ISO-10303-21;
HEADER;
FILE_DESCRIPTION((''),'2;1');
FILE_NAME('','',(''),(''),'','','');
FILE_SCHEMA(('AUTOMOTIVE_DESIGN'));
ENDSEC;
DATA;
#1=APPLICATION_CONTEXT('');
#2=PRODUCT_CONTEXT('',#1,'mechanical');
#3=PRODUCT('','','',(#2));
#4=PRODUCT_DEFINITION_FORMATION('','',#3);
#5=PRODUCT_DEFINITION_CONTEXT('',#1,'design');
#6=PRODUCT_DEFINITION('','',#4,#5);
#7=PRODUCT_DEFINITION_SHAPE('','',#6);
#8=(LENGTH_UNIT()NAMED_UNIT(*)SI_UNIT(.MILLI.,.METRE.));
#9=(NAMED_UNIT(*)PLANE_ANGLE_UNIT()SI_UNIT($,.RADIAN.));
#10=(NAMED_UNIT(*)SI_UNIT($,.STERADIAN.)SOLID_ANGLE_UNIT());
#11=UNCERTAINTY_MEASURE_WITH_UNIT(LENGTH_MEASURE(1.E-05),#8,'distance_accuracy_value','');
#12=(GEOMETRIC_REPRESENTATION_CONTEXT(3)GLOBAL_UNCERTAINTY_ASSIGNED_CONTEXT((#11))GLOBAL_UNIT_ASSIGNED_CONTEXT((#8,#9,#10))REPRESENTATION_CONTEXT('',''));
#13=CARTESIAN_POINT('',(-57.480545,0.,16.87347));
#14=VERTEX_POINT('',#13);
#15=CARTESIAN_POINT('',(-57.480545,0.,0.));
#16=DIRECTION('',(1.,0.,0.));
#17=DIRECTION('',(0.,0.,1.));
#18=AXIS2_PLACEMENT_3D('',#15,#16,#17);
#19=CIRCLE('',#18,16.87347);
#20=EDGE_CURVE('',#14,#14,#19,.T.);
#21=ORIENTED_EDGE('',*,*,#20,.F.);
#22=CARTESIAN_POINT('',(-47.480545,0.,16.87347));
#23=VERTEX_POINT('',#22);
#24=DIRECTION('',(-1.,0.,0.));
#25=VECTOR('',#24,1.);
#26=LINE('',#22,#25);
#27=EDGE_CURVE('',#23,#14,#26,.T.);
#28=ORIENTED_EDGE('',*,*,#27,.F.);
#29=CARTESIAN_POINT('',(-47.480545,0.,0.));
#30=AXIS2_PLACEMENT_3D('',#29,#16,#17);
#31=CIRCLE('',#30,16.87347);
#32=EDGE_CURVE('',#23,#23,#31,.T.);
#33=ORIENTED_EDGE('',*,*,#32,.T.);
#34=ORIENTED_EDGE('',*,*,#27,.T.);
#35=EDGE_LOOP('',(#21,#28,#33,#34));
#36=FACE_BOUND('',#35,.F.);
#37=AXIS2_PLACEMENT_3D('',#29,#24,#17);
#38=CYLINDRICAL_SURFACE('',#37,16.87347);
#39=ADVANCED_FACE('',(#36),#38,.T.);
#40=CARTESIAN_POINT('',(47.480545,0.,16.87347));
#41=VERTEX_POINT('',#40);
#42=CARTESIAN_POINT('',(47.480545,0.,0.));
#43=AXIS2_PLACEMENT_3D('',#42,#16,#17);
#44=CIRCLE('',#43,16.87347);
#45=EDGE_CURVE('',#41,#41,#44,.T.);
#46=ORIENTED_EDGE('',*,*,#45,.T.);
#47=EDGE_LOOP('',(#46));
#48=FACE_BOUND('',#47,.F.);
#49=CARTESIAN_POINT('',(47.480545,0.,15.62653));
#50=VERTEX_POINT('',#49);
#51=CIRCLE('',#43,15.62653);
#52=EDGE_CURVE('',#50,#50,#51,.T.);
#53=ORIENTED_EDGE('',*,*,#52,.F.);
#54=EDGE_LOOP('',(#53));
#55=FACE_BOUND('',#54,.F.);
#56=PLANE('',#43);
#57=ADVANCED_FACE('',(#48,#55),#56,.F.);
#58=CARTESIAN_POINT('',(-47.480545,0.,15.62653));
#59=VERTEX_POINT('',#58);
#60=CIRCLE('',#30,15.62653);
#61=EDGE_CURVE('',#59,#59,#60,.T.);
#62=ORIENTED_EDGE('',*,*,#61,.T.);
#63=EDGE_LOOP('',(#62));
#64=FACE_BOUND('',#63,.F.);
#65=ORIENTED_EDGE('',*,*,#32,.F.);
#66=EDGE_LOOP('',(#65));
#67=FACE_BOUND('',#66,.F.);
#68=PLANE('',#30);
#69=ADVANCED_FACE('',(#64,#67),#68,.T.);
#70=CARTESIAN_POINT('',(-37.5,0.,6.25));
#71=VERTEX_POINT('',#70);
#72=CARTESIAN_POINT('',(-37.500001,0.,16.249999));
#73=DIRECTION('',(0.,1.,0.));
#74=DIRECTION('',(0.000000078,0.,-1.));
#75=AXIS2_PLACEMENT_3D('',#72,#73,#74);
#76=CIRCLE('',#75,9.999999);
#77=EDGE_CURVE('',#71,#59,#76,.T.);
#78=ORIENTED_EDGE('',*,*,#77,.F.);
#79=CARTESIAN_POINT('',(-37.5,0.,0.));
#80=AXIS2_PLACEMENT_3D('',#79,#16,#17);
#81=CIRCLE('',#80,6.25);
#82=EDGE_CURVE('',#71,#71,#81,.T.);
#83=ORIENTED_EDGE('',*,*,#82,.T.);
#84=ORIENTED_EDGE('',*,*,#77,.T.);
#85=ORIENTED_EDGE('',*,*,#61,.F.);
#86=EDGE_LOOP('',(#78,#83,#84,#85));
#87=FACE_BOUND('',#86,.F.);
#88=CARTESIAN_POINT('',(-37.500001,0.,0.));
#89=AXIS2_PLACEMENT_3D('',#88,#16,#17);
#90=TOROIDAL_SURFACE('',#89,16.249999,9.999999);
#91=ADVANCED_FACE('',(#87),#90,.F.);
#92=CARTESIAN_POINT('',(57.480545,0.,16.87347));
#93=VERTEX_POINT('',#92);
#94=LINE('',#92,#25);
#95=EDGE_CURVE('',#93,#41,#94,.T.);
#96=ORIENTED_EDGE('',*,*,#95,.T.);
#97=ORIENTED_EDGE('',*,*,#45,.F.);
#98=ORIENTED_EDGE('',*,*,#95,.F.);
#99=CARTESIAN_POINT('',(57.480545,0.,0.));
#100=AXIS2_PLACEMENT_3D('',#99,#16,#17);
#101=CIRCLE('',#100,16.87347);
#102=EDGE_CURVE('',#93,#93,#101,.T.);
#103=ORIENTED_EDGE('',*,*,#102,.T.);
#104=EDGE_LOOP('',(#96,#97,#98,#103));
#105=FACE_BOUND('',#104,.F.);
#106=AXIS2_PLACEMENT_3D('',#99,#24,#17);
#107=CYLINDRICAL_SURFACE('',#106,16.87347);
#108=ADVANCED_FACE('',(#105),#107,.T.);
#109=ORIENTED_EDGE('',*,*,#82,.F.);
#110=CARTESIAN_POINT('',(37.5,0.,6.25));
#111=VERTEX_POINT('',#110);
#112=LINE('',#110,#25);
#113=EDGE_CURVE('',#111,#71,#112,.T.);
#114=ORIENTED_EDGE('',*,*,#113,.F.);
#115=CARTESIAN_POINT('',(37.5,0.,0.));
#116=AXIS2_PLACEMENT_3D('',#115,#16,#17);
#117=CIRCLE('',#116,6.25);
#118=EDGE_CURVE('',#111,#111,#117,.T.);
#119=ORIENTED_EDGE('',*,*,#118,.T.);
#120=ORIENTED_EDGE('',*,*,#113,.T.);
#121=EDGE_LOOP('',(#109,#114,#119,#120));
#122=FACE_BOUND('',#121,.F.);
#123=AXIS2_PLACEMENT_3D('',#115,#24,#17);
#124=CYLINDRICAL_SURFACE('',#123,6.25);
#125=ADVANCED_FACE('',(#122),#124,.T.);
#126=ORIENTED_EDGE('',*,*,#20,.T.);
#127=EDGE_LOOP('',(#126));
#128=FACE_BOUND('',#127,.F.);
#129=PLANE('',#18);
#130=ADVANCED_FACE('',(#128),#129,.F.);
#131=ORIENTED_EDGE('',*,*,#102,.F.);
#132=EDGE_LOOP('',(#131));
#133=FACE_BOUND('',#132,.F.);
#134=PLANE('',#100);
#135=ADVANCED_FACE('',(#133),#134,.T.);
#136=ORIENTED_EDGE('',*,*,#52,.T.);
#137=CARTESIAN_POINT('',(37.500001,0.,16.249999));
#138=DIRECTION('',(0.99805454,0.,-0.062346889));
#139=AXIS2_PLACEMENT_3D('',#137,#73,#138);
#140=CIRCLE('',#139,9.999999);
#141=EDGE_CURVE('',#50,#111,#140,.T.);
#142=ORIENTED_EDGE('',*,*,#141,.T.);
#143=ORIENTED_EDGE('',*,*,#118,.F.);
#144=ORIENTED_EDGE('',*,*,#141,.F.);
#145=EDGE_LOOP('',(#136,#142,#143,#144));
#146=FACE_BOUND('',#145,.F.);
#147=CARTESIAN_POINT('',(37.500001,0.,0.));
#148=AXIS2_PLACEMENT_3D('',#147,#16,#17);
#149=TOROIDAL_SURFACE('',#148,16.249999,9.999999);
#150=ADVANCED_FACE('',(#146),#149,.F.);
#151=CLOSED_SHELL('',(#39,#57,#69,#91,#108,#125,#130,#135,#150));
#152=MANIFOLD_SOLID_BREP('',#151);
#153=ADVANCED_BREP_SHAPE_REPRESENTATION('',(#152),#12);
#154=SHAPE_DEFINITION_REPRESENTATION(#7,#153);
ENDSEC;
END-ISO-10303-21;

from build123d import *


with BuildPart() as f1:
    # F0 (on Front) → F1 (revolve)
    with BuildSketch(Plane.XZ):
        with BuildLine():
            Line((37.5, 6.25), (0, 6.25))
            Line((0, 6.25), (-37.5, 6.25))
            ThreePointArc((-37.5, 6.25), (-44.347091, 8.961835), (-47.480545, 15.62653))
            Line((-47.480545, 15.62653), (-47.480545, 0))
            Line((-47.480545, 0), (47.480545, 0))
            Line((47.480545, 0), (47.480545, 15.62653))
            ThreePointArc((47.480545, 15.62653), (44.347091, 8.961835), (37.5, 6.25))
        make_face()
        with BuildLine():
            Line((47.480545, 16.87347), (47.480545, 15.62653))
            ThreePointArc((47.480545, 15.62653), (47.5, 16.25), (47.480545, 16.87347))
        make_face()
        with BuildLine():
            ThreePointArc((47.480545, 16.87347), (47.5, 16.25), (47.480545, 15.62653))
            Line((47.480545, 15.62653), (47.480545, 0))
            Line((47.480545, 0), (57.480545, 0))
            Line((57.480545, 0), (57.480545, 16.87347))
            Line((57.480545, 16.87347), (47.480545, 16.87347))
        make_face()
        with BuildLine():
            Line((-47.480545, 0), (-47.480545, 15.62653))
            ThreePointArc((-47.480545, 15.62653), (-47.5, 16.25), (-47.480545, 16.87347))
            Line((-47.480545, 16.87347), (-57.480545, 16.87347))
            Line((-57.480545, 16.87347), (-57.480545, 0))
            Line((-57.480545, 0), (-47.480545, 0))
        make_face()
        with BuildLine():
            ThreePointArc((-47.480545, 16.87347), (-47.5, 16.25), (-47.480545, 15.62653))
            Line((-47.480545, 15.62653), (-47.480545, 16.87347))
        make_face()
    revolve(axis=Axis((0, 0, 0), (1, 0, 0)))


solid = f1.part
